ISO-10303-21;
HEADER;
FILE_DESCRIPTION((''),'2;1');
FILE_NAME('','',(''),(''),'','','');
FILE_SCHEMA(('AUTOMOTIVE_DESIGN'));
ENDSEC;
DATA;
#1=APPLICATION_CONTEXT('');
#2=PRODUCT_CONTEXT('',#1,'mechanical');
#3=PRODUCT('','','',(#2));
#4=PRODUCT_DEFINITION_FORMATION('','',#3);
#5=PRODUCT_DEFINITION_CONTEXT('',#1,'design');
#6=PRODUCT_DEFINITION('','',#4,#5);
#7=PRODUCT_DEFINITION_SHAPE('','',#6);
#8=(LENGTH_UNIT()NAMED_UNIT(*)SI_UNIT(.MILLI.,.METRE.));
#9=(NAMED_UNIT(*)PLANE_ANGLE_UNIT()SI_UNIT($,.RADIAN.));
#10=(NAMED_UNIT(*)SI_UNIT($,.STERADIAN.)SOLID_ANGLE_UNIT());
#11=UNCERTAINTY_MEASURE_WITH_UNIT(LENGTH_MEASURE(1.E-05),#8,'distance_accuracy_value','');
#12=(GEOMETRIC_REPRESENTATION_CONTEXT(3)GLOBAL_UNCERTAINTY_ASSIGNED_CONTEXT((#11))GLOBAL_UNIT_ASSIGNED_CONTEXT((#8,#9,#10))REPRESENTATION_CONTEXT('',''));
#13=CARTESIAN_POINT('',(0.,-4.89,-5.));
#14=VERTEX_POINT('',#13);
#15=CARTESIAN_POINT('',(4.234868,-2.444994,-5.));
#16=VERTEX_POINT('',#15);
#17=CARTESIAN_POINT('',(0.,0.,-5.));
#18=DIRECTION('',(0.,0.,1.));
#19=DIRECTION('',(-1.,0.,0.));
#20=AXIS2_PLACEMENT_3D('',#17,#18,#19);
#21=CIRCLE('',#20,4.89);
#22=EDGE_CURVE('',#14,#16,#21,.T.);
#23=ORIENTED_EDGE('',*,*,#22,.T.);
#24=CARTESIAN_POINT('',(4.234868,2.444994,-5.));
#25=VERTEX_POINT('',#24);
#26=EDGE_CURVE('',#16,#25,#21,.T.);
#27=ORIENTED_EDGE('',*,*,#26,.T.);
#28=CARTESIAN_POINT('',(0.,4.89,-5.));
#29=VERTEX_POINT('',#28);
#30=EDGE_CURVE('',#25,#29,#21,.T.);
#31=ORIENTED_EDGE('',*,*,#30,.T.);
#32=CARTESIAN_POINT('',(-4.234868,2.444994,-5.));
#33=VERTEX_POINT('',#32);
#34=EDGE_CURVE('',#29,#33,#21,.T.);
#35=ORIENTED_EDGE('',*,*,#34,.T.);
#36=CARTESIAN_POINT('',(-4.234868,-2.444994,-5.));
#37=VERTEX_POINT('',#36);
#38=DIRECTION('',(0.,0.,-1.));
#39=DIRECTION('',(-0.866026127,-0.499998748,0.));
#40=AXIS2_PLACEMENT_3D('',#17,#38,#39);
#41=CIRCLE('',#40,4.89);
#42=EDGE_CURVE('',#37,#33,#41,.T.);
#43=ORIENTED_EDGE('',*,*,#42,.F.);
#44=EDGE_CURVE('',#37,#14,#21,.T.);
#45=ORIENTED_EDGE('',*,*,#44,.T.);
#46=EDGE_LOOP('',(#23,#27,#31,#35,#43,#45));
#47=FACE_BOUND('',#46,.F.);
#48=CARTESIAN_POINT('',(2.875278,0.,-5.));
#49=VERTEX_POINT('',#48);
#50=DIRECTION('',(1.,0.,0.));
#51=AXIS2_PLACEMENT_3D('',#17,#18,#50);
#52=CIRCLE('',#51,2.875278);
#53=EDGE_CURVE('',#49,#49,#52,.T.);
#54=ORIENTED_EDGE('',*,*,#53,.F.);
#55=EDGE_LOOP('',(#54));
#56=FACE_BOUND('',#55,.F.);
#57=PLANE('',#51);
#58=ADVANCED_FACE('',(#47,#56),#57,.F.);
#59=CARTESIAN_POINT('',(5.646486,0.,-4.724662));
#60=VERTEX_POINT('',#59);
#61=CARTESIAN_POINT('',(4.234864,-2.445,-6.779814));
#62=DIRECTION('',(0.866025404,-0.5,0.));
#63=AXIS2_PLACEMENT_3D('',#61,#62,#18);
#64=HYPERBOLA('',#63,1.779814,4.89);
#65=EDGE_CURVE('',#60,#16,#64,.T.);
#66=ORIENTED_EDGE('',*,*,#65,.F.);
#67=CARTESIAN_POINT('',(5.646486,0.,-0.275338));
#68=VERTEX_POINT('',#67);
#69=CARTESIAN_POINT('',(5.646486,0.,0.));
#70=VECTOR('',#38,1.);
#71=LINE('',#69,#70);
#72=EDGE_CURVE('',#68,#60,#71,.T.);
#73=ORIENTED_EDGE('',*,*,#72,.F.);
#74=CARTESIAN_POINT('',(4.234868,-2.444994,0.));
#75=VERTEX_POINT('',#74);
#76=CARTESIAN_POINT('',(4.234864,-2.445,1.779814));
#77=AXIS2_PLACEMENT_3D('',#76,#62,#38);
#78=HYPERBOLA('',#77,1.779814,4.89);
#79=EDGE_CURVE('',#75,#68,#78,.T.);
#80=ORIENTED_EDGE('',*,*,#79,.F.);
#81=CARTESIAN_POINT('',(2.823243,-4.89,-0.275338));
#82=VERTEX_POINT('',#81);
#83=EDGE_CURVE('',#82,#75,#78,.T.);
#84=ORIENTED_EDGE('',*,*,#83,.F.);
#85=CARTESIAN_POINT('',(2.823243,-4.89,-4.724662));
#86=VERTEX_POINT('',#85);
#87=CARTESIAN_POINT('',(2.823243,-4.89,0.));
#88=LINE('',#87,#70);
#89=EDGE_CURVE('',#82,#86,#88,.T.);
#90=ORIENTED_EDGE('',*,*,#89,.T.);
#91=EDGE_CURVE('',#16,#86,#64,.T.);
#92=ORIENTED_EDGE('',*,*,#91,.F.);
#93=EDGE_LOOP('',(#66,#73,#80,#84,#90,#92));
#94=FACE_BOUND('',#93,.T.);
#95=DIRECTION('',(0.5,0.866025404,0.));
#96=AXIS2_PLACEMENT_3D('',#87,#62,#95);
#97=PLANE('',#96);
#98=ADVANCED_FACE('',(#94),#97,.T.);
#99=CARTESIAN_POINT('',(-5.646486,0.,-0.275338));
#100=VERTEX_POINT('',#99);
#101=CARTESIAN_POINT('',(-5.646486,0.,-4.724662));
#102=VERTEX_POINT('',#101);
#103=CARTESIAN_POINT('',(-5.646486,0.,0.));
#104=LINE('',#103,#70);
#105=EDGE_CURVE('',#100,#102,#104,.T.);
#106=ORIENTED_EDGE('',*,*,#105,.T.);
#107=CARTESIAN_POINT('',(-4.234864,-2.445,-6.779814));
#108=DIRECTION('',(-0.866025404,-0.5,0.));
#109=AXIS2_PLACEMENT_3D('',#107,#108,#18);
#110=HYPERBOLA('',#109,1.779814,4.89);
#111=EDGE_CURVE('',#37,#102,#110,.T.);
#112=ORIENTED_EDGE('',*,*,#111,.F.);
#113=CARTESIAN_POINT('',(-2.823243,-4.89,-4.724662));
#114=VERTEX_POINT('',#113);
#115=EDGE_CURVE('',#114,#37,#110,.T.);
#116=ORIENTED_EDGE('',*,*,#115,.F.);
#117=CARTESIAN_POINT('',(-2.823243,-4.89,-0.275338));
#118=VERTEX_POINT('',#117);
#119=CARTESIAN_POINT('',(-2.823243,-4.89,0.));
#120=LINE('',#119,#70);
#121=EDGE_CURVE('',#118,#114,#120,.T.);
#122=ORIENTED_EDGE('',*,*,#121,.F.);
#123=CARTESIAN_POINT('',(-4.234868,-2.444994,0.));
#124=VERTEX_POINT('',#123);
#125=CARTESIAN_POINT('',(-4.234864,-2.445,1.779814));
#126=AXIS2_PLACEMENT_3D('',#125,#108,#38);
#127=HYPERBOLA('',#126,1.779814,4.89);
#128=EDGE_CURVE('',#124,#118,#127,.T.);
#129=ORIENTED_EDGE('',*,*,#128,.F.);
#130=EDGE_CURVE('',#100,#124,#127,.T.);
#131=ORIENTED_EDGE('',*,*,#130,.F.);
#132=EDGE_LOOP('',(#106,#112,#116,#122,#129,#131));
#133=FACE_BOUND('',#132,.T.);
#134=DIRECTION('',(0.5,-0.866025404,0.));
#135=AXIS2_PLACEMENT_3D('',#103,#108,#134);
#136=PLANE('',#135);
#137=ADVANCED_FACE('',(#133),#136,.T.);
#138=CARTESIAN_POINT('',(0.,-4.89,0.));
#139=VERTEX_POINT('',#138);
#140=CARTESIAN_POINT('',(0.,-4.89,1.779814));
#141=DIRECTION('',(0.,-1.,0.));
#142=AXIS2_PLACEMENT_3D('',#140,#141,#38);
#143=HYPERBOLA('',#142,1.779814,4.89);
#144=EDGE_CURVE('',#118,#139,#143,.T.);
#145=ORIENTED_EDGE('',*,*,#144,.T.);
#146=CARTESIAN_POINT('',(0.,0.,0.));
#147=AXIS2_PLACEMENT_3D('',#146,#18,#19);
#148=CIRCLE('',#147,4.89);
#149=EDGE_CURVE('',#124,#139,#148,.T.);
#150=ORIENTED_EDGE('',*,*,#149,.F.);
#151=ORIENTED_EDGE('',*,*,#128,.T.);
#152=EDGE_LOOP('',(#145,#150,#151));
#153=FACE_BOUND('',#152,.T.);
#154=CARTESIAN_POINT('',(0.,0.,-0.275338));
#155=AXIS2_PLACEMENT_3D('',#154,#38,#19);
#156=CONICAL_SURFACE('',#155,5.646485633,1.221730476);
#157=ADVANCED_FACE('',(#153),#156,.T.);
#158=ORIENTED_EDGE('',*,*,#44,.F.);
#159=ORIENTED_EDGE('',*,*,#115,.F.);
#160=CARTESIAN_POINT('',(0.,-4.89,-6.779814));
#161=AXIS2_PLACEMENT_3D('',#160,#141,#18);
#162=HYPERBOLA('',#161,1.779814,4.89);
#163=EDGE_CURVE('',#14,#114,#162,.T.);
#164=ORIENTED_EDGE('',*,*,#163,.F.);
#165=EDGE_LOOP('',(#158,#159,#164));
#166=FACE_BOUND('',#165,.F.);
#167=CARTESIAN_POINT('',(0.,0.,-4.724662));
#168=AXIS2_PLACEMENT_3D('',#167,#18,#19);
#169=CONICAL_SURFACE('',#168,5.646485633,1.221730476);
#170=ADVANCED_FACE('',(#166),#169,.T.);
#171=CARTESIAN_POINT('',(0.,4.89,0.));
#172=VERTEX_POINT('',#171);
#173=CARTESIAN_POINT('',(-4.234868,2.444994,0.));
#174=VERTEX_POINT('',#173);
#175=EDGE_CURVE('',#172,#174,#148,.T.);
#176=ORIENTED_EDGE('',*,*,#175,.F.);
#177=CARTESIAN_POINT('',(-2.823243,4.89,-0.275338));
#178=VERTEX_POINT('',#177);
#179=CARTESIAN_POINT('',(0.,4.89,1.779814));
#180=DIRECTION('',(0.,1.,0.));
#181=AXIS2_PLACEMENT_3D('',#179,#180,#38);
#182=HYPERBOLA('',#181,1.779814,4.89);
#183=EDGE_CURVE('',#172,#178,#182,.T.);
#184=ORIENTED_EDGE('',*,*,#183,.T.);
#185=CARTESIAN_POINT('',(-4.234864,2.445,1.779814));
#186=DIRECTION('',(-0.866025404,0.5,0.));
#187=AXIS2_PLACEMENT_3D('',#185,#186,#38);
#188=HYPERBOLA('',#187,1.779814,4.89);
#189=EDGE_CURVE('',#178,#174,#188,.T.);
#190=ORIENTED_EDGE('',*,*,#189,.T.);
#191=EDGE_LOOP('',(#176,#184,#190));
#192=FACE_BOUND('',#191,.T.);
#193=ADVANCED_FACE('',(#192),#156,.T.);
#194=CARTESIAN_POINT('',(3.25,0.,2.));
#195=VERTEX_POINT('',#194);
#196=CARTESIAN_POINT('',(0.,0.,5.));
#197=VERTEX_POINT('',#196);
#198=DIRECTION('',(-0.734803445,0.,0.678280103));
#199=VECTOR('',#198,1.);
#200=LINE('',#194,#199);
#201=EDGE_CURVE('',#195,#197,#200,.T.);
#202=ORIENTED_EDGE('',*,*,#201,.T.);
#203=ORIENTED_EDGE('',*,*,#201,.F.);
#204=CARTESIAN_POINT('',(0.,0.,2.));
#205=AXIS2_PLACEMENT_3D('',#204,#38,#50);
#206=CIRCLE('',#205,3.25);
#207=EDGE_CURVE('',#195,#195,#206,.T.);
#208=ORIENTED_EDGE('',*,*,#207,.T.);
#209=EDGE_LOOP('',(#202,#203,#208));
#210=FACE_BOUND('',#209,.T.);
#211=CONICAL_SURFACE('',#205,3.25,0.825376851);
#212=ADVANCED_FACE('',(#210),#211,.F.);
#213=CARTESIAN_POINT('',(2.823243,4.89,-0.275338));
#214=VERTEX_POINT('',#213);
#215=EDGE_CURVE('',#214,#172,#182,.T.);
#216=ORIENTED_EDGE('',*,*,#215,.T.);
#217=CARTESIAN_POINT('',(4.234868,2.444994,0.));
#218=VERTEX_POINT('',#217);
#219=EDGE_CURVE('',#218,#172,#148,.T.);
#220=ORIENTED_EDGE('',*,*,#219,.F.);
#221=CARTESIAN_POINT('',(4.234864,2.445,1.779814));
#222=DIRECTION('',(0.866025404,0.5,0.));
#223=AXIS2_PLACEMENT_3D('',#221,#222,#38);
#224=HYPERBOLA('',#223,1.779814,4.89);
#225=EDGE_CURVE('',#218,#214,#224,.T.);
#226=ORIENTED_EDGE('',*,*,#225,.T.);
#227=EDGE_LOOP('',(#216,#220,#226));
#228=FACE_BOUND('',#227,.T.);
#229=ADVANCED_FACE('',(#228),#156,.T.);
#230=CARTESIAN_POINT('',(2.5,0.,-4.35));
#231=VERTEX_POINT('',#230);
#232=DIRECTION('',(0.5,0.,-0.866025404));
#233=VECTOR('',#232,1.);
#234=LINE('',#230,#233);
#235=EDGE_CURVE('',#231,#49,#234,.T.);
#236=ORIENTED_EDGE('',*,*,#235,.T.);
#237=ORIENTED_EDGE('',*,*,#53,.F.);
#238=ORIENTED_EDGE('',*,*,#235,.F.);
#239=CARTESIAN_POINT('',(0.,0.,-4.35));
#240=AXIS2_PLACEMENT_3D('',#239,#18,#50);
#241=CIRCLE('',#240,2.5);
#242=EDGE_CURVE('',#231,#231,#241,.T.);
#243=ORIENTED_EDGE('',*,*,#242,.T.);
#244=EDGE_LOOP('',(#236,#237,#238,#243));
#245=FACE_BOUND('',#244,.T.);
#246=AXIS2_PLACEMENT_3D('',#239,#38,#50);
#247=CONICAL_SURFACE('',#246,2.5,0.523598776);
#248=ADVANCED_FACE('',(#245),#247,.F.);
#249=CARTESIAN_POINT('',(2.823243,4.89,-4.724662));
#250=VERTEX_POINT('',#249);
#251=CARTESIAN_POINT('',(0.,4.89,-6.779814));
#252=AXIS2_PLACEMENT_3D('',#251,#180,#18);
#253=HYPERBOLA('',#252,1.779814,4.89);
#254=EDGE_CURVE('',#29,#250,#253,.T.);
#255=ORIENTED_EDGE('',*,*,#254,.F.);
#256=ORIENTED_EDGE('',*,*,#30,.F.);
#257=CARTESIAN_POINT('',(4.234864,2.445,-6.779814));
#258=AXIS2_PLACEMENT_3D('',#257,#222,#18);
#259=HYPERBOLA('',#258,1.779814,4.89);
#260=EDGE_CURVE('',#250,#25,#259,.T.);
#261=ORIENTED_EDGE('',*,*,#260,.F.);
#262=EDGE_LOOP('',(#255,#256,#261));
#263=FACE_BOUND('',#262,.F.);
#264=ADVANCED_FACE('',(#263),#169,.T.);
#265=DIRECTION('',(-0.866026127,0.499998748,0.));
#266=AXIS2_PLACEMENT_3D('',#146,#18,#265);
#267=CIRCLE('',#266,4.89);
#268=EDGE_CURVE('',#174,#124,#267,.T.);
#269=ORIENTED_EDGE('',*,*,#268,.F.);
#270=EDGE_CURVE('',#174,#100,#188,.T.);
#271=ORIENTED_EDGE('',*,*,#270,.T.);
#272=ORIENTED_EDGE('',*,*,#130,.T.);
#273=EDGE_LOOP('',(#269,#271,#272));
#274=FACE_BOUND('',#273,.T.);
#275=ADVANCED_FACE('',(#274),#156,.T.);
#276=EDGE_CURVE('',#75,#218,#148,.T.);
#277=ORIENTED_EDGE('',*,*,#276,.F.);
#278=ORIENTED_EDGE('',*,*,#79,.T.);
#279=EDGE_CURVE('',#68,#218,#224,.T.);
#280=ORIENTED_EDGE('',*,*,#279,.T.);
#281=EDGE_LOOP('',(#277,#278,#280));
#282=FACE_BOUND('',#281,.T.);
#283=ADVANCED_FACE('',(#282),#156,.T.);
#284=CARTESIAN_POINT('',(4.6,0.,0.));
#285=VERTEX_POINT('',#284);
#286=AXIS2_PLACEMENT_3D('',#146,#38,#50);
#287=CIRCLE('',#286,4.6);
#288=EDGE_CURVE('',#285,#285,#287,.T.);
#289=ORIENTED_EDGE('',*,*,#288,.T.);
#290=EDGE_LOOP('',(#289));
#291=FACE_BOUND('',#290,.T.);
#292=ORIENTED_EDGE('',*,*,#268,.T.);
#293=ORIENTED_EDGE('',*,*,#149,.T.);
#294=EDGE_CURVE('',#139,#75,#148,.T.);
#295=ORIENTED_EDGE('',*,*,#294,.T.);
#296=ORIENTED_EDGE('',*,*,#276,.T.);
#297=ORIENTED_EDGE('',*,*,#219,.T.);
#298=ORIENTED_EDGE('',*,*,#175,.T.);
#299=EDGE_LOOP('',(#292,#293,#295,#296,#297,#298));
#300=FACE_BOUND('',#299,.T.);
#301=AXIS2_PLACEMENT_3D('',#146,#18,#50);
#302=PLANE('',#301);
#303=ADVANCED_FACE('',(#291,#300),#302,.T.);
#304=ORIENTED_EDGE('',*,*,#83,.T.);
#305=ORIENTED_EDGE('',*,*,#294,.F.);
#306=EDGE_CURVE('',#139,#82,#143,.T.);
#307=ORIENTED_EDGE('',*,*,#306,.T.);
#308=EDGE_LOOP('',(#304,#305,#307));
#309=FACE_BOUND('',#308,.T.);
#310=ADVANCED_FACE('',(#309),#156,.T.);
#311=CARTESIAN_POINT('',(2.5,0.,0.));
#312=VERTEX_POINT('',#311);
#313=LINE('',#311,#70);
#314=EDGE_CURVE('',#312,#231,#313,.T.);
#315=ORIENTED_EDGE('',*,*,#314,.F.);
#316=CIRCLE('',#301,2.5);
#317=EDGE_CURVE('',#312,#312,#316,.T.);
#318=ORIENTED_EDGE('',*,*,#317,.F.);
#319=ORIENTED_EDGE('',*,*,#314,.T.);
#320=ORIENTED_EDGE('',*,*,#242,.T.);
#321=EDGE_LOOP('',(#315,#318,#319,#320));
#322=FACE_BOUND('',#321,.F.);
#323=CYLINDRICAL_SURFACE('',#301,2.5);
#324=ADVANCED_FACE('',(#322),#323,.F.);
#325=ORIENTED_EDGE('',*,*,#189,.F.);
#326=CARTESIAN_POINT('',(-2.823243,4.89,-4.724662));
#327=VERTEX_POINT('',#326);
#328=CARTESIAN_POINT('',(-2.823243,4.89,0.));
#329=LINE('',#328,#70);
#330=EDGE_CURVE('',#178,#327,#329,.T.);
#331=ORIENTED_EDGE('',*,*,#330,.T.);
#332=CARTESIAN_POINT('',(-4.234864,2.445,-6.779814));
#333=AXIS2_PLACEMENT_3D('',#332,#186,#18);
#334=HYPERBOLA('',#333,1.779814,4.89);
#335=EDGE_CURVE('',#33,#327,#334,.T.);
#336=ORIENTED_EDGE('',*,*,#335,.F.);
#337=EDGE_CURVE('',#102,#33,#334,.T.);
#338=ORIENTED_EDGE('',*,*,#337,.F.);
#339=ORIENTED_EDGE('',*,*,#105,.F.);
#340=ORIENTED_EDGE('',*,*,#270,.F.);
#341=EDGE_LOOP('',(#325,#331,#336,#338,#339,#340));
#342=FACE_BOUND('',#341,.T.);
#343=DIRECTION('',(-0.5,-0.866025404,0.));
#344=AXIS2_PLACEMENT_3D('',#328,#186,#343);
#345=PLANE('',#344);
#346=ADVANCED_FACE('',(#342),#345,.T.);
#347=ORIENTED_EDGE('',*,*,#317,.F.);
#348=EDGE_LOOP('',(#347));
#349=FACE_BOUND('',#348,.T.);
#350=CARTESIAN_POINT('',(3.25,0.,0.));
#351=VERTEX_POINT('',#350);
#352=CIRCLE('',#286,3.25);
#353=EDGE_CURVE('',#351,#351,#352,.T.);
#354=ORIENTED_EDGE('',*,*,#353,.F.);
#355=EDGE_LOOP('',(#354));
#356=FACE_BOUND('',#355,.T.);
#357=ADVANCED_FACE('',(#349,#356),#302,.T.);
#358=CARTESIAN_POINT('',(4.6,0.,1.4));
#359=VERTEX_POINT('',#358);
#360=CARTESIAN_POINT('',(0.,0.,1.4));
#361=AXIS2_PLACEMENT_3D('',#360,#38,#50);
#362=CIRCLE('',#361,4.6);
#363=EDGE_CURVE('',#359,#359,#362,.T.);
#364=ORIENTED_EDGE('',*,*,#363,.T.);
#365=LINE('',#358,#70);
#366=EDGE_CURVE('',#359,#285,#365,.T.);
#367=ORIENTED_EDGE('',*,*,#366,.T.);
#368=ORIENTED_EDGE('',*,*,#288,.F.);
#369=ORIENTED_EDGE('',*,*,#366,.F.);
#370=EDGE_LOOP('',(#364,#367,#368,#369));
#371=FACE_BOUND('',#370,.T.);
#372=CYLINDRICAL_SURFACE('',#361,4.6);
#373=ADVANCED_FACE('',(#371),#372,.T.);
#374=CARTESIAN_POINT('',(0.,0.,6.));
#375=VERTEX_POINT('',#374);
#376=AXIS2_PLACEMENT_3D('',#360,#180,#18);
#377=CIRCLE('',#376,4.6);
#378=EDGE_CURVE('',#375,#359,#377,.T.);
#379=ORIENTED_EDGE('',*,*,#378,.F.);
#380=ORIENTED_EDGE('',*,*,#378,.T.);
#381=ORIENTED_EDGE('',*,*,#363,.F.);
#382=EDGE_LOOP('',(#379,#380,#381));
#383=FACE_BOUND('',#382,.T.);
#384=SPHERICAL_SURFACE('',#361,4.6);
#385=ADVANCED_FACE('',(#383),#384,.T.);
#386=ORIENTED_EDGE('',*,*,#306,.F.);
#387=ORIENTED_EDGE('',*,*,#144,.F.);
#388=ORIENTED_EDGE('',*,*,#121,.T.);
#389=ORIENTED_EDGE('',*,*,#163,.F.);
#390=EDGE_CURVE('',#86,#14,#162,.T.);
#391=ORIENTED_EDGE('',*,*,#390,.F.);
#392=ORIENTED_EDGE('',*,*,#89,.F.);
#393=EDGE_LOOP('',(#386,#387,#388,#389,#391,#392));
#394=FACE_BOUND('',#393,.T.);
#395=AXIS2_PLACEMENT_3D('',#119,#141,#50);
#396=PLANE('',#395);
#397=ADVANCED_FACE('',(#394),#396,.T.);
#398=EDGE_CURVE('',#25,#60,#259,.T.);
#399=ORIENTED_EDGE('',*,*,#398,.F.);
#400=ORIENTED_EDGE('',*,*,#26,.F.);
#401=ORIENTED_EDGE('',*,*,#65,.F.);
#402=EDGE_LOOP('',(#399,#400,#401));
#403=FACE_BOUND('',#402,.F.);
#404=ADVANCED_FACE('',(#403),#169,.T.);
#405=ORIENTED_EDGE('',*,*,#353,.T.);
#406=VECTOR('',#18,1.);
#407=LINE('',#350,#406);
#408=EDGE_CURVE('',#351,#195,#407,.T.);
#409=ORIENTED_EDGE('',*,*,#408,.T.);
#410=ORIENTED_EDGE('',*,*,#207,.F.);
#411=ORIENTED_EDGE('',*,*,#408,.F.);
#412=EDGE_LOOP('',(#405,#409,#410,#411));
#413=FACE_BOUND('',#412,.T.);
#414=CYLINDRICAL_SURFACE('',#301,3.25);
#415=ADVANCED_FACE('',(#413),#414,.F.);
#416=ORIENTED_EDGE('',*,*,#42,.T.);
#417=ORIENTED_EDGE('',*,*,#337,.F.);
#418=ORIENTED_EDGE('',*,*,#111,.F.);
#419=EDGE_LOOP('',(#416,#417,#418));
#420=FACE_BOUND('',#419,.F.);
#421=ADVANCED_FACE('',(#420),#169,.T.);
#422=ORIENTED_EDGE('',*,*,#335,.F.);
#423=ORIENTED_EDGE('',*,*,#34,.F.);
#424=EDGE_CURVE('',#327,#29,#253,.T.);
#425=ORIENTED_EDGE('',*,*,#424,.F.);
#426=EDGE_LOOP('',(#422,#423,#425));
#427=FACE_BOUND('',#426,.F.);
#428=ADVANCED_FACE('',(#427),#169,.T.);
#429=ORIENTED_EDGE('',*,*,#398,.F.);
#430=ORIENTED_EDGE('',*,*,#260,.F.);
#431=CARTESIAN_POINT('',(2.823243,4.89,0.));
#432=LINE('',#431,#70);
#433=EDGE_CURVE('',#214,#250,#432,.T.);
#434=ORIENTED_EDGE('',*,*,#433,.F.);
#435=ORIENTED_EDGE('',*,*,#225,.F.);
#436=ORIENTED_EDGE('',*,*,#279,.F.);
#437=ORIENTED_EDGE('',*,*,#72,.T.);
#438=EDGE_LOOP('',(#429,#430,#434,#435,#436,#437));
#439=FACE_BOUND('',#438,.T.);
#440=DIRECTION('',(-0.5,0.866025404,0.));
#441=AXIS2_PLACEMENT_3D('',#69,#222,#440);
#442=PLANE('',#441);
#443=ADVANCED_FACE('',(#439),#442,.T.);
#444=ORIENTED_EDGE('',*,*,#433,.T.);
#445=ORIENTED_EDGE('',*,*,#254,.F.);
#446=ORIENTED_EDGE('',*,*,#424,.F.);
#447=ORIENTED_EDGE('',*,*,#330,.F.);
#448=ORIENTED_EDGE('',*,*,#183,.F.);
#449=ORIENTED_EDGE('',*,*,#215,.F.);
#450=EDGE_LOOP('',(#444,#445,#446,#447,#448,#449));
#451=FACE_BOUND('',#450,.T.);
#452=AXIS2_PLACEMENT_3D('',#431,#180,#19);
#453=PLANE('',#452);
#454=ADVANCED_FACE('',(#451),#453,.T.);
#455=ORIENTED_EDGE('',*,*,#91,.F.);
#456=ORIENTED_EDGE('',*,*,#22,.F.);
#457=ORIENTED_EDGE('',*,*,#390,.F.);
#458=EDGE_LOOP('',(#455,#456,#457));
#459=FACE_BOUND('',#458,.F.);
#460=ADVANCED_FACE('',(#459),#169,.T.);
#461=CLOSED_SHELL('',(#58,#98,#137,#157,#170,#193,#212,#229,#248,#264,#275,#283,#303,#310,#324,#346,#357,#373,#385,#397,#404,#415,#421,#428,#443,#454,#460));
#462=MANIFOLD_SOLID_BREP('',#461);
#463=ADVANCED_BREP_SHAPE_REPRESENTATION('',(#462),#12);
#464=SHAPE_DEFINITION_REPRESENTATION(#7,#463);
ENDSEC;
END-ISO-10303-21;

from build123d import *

# Parameters (mm, degrees)
SKETCH1_R        = 2.5
BASENUT_DEPTH    = 5
ENDCHAMFER_SIZE  = 0.65
ENDCHAMFER_SIZE2 = 0.375277675


with BuildPart() as part:
    # Sketch1 → BaseNut (new body)
    with BuildSketch(Plane.XY):
        Polygon((5.646485633, 0), (2.823242816, 4.89), (-2.823242816, 4.89), (-5.646485633, 0), (-2.823242816, -4.89), (2.823242816, -4.89), align=None)
        Circle(SKETCH1_R, mode=Mode.SUBTRACT)
    extrude(amount=-BASENUT_DEPTH)

    # Sketch2 → DoubleChamfer (revolve, cut)
    with BuildSketch(Plane(origin=(0, 0, 0), x_dir=(1, 0, 0), z_dir=(0, 1, 0))):
        Polygon((-4.89, 5), (-5.646485633, 5), (-5.646485633, 4.724661747), align=None)
        Polygon((-5.646485633, 0.275338253), (-4.89, 0), (-5.646485633, 0), align=None)
    revolve(axis=Axis((0, 0, -3.377940403), (0, 0, 1)), mode=Mode.SUBTRACT)

    # Sketch3 → Crown (revolve)
    with BuildSketch(Plane(origin=(-4.6, 0, -6), x_dir=(-1, 0, 0), z_dir=(0, 1, 0))):
        with BuildLine():
            Line((-9.2, 7.4), (-9.2, 6))
            Line((-9.2, 6), (-7.85, 6))
            Line((-7.85, 6), (-7.85, 8))
            Line((-7.85, 8), (-4.6, 11))
            Line((-4.6, 11), (-4.6, 12))
            ThreePointArc((-4.6, 12), (-7.852691193, 10.652691193), (-9.2, 7.4))
        make_face()
    revolve(axis=Axis((0, 0, 6), (0, 0, -1)))

    # EndChamfer
    endchamfer_edges = [part.edges().sort_by_distance(p)[0] for p in [
        (-2.5, 0, -5),
    ]]
    endchamfer_side = [part.faces().sort_by_distance(p)[0] for p in [
        (-2.5, 0, -2.5),
    ]]
    chamfer(endchamfer_edges, length=ENDCHAMFER_SIZE, length2=ENDCHAMFER_SIZE2, reference=endchamfer_side[0])


solid = part.part
